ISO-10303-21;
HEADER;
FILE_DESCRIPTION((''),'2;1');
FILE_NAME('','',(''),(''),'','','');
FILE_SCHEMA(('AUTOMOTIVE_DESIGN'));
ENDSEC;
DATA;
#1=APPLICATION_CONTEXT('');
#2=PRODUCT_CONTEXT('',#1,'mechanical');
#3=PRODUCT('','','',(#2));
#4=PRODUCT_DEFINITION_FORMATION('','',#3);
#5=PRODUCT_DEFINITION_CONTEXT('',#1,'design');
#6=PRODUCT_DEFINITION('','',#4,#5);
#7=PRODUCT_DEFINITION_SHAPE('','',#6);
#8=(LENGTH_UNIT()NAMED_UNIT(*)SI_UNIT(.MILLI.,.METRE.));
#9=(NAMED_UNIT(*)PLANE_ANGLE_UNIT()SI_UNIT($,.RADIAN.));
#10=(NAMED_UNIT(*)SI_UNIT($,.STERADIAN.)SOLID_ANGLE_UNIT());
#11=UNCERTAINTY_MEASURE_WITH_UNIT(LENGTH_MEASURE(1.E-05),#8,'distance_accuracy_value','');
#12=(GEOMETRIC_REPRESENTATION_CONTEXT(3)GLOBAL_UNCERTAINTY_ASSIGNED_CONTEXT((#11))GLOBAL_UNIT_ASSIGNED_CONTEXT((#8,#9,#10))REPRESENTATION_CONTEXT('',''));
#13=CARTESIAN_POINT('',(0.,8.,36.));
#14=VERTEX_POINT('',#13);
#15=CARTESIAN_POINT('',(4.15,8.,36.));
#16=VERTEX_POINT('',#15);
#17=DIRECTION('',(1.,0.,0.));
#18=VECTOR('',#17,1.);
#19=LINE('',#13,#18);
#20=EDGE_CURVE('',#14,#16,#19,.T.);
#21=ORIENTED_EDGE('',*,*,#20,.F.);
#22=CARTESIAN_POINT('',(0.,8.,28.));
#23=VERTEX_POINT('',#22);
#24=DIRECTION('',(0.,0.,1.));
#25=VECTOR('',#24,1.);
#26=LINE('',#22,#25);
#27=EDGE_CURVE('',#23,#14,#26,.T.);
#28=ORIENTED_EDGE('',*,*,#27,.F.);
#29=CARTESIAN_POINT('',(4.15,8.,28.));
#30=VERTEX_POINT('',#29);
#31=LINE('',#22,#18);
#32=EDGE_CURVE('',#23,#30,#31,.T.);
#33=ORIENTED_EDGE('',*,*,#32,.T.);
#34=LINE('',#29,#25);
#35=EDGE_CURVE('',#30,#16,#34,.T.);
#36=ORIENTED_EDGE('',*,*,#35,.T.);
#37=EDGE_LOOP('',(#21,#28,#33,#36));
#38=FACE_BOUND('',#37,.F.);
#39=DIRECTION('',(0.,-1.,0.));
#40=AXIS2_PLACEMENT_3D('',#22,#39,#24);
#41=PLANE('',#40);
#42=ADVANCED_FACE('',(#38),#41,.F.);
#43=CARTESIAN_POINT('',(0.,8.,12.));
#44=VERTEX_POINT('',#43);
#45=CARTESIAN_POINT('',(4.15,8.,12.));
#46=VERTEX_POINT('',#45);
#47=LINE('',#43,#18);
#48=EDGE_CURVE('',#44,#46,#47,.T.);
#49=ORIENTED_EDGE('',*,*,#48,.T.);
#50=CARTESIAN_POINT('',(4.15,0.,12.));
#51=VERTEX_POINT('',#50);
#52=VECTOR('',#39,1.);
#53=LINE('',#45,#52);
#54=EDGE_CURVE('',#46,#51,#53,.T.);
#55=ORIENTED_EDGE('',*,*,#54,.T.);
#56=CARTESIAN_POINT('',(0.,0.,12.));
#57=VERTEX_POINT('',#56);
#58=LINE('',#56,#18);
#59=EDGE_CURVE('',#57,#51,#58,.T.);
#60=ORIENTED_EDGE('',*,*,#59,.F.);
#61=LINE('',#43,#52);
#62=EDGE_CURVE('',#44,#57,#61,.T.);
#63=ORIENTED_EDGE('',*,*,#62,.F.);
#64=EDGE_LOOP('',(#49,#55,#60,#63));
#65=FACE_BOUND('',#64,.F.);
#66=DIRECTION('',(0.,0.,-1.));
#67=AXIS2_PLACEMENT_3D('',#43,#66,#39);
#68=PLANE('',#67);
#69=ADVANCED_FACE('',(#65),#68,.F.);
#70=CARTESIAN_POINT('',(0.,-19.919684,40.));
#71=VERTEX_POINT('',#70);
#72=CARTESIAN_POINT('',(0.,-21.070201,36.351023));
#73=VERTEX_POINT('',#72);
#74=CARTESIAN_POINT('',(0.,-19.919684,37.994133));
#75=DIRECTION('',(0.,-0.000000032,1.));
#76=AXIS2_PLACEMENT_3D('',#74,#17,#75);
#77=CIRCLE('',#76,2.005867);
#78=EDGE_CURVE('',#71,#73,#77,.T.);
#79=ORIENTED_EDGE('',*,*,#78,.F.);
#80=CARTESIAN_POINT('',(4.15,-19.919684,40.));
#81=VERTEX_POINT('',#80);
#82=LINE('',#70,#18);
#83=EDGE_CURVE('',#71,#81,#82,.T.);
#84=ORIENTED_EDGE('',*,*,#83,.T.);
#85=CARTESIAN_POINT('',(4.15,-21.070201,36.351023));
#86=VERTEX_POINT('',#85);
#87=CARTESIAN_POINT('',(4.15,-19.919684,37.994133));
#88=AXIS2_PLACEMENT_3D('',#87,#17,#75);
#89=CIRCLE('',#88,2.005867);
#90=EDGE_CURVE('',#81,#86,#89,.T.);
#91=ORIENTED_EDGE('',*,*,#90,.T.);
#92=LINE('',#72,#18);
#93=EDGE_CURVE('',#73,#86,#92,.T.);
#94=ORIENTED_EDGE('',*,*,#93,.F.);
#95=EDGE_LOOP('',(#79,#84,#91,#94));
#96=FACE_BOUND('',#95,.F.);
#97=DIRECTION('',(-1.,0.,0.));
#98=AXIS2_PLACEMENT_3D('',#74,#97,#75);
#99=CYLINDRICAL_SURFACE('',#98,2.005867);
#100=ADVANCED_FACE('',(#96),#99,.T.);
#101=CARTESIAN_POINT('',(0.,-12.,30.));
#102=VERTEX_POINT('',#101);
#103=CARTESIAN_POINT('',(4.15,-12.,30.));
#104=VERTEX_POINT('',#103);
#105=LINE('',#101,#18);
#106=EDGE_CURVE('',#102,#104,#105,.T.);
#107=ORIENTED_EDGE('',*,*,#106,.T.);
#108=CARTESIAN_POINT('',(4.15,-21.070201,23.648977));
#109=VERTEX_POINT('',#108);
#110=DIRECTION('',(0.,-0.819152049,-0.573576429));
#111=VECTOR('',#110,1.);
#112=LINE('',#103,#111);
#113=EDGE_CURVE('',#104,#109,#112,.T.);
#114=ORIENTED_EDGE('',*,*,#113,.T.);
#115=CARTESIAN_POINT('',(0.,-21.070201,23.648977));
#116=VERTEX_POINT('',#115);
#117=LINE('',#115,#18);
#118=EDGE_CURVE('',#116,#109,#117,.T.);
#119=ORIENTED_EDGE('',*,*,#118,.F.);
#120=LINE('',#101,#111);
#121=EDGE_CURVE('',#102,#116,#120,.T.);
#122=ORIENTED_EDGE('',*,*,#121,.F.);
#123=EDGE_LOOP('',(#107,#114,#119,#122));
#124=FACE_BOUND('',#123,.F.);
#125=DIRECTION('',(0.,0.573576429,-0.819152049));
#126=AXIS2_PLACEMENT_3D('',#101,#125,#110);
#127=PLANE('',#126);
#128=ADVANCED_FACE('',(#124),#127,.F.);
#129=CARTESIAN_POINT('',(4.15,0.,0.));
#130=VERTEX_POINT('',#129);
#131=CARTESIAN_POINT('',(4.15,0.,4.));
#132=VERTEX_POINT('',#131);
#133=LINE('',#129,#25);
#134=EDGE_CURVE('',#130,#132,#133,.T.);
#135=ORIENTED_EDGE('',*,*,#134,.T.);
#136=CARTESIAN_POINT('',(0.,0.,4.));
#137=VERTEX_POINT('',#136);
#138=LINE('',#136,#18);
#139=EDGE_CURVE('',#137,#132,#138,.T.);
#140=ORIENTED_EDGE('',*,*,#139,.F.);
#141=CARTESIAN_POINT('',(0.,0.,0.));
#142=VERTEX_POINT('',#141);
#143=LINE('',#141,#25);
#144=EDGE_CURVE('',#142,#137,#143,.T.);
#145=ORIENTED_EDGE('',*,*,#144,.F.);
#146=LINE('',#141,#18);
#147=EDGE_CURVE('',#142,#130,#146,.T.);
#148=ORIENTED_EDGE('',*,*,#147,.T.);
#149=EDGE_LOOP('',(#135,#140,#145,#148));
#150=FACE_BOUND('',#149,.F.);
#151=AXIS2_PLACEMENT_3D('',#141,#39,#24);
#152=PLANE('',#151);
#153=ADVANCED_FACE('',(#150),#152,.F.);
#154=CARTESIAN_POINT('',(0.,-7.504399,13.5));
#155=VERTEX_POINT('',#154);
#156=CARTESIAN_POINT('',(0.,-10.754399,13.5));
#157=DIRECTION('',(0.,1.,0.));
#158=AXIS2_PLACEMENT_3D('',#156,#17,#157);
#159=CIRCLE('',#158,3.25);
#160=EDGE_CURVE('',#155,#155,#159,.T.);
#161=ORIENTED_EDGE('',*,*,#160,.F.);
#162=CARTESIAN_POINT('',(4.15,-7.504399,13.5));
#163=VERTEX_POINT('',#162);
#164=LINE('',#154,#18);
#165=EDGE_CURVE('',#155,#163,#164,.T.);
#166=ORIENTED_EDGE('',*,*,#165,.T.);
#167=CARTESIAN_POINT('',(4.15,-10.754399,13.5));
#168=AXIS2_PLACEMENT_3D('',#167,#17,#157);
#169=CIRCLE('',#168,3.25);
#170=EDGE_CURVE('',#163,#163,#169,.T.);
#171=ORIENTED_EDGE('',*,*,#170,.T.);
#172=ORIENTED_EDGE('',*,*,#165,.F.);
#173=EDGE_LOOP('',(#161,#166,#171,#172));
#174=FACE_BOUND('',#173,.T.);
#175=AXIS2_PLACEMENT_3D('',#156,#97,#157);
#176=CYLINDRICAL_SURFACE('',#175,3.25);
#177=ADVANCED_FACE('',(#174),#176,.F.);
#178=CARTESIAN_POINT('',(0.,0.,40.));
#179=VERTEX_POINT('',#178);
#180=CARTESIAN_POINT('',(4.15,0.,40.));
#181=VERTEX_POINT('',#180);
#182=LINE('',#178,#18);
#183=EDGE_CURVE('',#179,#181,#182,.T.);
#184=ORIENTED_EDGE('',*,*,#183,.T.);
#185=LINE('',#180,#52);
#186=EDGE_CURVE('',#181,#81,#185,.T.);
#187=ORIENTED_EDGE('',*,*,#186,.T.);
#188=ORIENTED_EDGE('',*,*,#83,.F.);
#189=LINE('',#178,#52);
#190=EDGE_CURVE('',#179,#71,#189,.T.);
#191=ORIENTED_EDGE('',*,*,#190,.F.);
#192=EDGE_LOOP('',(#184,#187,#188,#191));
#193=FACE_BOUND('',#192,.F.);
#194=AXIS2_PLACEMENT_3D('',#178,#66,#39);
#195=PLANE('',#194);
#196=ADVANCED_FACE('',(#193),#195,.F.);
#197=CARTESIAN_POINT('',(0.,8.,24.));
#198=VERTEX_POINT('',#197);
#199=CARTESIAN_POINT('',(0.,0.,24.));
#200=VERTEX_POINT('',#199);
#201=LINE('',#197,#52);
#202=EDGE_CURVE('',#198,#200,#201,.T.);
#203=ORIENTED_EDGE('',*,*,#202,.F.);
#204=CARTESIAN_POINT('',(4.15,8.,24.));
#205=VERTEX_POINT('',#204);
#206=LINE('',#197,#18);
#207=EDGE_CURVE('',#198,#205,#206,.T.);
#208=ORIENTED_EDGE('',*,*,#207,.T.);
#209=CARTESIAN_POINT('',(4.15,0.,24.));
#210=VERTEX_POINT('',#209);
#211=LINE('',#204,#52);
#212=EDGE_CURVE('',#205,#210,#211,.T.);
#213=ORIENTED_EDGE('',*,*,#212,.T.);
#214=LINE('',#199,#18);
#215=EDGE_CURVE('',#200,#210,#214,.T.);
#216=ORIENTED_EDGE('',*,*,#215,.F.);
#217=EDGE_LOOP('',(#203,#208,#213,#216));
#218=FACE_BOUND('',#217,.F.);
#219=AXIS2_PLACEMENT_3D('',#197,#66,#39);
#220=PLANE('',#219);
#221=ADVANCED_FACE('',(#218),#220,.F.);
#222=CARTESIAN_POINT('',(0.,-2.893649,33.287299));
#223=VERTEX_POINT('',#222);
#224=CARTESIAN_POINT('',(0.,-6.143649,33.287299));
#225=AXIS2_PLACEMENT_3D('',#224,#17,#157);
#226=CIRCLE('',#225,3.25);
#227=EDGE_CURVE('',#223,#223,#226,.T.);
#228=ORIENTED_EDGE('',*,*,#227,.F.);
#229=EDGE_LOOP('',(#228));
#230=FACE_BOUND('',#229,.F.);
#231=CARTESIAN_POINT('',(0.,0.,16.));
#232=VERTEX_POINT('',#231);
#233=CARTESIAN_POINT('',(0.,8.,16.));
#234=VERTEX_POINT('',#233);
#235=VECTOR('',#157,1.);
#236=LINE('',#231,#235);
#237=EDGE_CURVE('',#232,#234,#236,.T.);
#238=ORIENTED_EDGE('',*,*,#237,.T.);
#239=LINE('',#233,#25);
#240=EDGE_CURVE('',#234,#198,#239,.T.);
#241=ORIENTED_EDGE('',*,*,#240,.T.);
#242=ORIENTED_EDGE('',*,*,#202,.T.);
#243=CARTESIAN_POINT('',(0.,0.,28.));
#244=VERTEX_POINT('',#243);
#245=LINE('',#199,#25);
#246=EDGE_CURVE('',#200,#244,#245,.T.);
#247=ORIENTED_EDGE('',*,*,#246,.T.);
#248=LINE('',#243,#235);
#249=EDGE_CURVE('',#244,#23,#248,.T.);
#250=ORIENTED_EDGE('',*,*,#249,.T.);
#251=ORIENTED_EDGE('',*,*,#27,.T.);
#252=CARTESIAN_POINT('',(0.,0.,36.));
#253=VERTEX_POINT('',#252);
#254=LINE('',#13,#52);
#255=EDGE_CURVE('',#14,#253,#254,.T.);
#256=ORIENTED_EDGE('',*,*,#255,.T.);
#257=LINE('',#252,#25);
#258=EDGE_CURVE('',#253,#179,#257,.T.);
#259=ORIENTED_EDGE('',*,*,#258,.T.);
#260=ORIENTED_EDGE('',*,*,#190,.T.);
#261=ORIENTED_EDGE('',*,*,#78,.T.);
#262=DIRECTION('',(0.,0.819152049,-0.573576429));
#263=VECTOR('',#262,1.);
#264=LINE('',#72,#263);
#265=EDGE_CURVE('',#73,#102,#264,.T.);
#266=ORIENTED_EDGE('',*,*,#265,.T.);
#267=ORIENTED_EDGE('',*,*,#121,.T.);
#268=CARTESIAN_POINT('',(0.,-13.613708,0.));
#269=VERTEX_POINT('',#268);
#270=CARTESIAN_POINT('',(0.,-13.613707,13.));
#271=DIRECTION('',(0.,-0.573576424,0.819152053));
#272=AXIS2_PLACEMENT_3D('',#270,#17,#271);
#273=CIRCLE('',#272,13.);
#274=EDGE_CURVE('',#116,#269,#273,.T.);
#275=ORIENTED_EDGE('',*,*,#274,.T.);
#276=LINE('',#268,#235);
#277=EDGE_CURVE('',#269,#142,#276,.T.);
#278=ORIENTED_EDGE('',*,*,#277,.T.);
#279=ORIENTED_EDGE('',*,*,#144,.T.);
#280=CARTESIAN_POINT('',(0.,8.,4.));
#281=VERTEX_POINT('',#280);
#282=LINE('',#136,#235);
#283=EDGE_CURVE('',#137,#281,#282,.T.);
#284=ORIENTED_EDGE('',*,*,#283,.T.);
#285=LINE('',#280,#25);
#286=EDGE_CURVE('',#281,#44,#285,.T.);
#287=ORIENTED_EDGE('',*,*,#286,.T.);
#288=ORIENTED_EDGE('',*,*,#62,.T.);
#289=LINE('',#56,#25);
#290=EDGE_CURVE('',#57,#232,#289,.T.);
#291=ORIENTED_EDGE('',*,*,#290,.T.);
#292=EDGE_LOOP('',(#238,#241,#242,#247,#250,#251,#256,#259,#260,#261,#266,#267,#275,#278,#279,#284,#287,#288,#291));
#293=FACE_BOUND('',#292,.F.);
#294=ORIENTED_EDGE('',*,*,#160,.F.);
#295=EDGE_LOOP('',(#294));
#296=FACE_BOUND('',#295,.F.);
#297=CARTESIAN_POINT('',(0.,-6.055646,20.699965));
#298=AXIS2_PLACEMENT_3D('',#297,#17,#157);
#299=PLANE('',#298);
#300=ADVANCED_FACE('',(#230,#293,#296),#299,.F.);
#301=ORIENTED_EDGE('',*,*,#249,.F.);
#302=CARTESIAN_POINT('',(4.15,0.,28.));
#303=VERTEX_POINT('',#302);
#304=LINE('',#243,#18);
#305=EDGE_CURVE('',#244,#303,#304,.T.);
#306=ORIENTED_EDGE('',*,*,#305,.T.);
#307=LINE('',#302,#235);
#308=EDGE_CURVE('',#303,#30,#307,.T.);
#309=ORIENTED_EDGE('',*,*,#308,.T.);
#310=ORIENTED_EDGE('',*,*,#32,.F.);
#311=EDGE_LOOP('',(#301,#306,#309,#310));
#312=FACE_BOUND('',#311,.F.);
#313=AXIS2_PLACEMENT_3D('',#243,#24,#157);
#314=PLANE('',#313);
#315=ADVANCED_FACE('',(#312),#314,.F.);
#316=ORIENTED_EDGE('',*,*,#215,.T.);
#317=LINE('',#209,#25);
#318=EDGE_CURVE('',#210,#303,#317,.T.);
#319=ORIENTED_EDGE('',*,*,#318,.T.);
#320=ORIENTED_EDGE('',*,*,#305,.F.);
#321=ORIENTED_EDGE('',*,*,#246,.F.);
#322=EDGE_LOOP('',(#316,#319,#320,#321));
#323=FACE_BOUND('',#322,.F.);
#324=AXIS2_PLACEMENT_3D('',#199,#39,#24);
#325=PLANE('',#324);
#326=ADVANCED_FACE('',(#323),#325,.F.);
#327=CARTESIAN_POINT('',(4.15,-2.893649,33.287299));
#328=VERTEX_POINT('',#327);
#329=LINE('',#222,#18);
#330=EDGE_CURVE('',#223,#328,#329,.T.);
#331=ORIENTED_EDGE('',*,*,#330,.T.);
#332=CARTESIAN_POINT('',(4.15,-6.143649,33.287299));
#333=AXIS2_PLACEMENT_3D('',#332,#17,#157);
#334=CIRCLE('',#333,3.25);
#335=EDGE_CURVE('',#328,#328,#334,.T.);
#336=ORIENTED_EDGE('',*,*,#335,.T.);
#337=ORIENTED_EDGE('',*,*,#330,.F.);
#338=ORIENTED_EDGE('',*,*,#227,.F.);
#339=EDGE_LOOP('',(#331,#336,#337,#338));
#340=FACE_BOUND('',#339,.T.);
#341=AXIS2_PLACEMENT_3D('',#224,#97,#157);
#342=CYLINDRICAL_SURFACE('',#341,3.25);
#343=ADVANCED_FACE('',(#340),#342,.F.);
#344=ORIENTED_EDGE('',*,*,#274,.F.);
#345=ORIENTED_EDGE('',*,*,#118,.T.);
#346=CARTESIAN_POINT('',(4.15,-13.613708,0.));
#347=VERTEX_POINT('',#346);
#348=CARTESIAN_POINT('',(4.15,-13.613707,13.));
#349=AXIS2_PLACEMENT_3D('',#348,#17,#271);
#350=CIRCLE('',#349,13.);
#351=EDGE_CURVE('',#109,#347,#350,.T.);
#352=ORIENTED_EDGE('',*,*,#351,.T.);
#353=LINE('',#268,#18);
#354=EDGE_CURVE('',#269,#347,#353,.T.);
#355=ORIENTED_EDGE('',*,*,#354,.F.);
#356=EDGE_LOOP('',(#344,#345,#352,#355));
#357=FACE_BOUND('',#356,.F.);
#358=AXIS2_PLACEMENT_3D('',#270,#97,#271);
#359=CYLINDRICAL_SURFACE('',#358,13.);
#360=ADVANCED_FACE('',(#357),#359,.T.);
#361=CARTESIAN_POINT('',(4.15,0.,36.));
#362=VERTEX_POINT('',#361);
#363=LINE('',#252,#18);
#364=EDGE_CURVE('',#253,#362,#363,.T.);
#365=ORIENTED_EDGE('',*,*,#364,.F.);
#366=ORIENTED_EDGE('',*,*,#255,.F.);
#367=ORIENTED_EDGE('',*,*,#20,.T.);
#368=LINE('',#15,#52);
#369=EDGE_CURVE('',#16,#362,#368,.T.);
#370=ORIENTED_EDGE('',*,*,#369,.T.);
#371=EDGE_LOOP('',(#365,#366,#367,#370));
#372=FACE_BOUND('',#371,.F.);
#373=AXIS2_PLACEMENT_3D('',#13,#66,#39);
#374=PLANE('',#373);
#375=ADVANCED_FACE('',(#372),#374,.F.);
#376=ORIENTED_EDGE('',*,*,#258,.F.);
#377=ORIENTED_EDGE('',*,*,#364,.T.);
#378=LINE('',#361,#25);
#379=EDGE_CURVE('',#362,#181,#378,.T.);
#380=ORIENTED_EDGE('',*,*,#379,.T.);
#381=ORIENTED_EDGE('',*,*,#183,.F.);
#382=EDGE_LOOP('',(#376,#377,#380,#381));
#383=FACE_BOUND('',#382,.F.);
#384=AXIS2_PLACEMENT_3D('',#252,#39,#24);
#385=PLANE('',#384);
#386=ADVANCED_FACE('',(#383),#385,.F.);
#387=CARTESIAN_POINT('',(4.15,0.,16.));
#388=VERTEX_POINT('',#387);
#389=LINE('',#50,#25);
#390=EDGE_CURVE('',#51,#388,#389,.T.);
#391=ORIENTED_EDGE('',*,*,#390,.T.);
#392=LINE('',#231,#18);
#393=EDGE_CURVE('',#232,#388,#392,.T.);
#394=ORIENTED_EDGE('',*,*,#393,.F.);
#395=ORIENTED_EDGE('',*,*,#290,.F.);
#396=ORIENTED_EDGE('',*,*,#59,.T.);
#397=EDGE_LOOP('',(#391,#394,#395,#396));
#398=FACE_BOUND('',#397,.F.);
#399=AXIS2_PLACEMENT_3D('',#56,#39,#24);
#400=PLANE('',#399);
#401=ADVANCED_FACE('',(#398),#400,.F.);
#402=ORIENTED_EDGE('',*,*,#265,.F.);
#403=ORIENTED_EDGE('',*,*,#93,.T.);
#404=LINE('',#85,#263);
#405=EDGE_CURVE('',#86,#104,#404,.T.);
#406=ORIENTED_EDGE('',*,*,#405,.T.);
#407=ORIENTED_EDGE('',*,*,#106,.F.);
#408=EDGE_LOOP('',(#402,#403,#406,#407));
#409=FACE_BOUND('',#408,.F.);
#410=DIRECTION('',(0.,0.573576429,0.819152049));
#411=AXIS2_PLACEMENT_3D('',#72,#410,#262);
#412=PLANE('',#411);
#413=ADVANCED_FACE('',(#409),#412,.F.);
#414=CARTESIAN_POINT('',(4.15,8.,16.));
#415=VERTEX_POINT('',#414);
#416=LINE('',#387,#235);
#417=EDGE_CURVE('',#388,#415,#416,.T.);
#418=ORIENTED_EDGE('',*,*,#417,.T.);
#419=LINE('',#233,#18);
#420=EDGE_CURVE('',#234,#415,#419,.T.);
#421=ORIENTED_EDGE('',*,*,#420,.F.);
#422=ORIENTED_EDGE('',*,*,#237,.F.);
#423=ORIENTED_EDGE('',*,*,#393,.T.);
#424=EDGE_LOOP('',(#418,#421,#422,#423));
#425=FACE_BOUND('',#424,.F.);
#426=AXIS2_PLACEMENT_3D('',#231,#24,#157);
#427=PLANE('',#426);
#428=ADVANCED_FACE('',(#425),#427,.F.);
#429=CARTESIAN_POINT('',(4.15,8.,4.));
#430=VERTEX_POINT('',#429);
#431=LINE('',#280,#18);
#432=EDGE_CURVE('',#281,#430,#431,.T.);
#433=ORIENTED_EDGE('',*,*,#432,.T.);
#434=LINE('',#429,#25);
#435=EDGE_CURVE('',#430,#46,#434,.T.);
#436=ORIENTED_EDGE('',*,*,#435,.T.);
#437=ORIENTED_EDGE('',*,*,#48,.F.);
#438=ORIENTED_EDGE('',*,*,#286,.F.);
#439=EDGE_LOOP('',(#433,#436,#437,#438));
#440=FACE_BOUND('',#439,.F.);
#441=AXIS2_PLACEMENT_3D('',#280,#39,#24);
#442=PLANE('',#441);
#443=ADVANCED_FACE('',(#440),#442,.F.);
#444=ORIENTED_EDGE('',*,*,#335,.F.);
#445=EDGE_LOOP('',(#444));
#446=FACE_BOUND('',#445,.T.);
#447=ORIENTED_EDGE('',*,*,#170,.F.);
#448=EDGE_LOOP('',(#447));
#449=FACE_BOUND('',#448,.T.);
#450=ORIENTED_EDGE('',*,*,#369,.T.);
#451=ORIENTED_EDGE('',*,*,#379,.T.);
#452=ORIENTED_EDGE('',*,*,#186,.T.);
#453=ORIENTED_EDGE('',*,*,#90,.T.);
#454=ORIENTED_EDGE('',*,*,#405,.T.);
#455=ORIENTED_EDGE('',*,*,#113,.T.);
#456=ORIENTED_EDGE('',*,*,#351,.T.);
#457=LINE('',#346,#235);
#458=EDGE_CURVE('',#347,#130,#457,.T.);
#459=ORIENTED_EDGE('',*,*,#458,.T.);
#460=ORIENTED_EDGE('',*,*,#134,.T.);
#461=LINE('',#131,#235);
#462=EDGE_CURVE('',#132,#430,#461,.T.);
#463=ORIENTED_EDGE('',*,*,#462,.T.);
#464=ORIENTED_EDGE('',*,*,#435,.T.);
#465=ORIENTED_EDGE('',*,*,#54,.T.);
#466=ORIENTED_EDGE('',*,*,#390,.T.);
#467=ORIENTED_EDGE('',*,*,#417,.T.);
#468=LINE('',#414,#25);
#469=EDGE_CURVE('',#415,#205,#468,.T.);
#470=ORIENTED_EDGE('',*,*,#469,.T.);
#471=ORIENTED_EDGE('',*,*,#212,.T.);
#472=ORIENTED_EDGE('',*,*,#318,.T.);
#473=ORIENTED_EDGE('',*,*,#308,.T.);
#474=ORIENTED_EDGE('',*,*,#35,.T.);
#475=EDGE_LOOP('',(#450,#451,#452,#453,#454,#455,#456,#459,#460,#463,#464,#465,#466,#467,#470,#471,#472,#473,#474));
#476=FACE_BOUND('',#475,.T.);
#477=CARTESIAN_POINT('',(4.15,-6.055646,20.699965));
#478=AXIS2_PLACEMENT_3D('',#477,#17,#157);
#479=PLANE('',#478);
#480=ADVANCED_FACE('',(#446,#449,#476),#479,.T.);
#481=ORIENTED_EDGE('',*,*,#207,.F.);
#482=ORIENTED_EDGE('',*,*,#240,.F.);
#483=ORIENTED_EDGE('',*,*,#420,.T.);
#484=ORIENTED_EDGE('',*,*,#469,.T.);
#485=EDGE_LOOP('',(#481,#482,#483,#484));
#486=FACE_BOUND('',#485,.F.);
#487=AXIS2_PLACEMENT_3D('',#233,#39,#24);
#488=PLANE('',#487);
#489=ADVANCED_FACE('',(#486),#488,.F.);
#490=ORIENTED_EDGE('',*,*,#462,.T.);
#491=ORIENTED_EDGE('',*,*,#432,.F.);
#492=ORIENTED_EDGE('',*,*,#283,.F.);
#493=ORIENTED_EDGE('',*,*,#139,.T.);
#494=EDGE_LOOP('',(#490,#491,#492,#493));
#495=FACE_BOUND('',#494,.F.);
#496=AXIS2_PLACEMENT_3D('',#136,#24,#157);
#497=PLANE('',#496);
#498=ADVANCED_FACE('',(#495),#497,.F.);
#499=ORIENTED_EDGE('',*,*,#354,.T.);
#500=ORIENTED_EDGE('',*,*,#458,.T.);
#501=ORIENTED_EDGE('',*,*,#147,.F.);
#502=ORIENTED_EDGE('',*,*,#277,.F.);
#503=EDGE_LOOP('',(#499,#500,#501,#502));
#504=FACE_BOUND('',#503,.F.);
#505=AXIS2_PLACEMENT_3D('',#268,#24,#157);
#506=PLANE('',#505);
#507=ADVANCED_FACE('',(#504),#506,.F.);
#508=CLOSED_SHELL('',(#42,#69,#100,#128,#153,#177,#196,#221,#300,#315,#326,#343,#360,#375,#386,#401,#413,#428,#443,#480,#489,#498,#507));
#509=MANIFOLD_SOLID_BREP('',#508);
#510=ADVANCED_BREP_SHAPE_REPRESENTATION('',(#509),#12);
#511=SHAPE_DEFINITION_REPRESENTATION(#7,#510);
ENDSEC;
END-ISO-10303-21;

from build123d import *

# Parameters (mm, degrees)
F0_R     = 3.25
F1_DEPTH = 4.15


with BuildPart() as f1:
    # F0 (on Right) → F1 (new body)
    with BuildSketch(Plane.YZ):
        with BuildLine():
            Line((-13.613708, 0), (0, 0))
            Line((0, 0), (0, 4))
            Line((0, 4), (8, 4))
            Line((8, 4), (8, 12))
            Line((8, 12), (0, 12))
            Line((0, 12), (0, 16))
            Line((0, 16), (8, 16))
            Line((8, 16), (8, 24))
            Line((8, 24), (0, 24))
            Line((0, 24), (0, 28))
            Line((0, 28), (8, 28))
            Line((8, 28), (8, 36))
            Line((8, 36), (0, 36))
            Line((0, 36), (0, 40))
            Line((0, 40), (-19.919684, 40))
            ThreePointArc((-19.919684, 40), (-21.832713, 38.597309), (-21.070201, 36.351023))
            Line((-21.070201, 36.351023), (-12, 30))
            Line((-12, 30), (-21.070201, 23.648977))
            ThreePointArc((-21.070201, 23.648977), (-26.012028, 9.090825), (-13.613708, 0))
        make_face()
        with Locations((-10.754399, 13.5)):
            Circle(F0_R, mode=Mode.SUBTRACT)
        with Locations((-6.143649, 33.287299)):
            Circle(F0_R, mode=Mode.SUBTRACT)
    extrude(amount=F1_DEPTH)


solid = f1.part
